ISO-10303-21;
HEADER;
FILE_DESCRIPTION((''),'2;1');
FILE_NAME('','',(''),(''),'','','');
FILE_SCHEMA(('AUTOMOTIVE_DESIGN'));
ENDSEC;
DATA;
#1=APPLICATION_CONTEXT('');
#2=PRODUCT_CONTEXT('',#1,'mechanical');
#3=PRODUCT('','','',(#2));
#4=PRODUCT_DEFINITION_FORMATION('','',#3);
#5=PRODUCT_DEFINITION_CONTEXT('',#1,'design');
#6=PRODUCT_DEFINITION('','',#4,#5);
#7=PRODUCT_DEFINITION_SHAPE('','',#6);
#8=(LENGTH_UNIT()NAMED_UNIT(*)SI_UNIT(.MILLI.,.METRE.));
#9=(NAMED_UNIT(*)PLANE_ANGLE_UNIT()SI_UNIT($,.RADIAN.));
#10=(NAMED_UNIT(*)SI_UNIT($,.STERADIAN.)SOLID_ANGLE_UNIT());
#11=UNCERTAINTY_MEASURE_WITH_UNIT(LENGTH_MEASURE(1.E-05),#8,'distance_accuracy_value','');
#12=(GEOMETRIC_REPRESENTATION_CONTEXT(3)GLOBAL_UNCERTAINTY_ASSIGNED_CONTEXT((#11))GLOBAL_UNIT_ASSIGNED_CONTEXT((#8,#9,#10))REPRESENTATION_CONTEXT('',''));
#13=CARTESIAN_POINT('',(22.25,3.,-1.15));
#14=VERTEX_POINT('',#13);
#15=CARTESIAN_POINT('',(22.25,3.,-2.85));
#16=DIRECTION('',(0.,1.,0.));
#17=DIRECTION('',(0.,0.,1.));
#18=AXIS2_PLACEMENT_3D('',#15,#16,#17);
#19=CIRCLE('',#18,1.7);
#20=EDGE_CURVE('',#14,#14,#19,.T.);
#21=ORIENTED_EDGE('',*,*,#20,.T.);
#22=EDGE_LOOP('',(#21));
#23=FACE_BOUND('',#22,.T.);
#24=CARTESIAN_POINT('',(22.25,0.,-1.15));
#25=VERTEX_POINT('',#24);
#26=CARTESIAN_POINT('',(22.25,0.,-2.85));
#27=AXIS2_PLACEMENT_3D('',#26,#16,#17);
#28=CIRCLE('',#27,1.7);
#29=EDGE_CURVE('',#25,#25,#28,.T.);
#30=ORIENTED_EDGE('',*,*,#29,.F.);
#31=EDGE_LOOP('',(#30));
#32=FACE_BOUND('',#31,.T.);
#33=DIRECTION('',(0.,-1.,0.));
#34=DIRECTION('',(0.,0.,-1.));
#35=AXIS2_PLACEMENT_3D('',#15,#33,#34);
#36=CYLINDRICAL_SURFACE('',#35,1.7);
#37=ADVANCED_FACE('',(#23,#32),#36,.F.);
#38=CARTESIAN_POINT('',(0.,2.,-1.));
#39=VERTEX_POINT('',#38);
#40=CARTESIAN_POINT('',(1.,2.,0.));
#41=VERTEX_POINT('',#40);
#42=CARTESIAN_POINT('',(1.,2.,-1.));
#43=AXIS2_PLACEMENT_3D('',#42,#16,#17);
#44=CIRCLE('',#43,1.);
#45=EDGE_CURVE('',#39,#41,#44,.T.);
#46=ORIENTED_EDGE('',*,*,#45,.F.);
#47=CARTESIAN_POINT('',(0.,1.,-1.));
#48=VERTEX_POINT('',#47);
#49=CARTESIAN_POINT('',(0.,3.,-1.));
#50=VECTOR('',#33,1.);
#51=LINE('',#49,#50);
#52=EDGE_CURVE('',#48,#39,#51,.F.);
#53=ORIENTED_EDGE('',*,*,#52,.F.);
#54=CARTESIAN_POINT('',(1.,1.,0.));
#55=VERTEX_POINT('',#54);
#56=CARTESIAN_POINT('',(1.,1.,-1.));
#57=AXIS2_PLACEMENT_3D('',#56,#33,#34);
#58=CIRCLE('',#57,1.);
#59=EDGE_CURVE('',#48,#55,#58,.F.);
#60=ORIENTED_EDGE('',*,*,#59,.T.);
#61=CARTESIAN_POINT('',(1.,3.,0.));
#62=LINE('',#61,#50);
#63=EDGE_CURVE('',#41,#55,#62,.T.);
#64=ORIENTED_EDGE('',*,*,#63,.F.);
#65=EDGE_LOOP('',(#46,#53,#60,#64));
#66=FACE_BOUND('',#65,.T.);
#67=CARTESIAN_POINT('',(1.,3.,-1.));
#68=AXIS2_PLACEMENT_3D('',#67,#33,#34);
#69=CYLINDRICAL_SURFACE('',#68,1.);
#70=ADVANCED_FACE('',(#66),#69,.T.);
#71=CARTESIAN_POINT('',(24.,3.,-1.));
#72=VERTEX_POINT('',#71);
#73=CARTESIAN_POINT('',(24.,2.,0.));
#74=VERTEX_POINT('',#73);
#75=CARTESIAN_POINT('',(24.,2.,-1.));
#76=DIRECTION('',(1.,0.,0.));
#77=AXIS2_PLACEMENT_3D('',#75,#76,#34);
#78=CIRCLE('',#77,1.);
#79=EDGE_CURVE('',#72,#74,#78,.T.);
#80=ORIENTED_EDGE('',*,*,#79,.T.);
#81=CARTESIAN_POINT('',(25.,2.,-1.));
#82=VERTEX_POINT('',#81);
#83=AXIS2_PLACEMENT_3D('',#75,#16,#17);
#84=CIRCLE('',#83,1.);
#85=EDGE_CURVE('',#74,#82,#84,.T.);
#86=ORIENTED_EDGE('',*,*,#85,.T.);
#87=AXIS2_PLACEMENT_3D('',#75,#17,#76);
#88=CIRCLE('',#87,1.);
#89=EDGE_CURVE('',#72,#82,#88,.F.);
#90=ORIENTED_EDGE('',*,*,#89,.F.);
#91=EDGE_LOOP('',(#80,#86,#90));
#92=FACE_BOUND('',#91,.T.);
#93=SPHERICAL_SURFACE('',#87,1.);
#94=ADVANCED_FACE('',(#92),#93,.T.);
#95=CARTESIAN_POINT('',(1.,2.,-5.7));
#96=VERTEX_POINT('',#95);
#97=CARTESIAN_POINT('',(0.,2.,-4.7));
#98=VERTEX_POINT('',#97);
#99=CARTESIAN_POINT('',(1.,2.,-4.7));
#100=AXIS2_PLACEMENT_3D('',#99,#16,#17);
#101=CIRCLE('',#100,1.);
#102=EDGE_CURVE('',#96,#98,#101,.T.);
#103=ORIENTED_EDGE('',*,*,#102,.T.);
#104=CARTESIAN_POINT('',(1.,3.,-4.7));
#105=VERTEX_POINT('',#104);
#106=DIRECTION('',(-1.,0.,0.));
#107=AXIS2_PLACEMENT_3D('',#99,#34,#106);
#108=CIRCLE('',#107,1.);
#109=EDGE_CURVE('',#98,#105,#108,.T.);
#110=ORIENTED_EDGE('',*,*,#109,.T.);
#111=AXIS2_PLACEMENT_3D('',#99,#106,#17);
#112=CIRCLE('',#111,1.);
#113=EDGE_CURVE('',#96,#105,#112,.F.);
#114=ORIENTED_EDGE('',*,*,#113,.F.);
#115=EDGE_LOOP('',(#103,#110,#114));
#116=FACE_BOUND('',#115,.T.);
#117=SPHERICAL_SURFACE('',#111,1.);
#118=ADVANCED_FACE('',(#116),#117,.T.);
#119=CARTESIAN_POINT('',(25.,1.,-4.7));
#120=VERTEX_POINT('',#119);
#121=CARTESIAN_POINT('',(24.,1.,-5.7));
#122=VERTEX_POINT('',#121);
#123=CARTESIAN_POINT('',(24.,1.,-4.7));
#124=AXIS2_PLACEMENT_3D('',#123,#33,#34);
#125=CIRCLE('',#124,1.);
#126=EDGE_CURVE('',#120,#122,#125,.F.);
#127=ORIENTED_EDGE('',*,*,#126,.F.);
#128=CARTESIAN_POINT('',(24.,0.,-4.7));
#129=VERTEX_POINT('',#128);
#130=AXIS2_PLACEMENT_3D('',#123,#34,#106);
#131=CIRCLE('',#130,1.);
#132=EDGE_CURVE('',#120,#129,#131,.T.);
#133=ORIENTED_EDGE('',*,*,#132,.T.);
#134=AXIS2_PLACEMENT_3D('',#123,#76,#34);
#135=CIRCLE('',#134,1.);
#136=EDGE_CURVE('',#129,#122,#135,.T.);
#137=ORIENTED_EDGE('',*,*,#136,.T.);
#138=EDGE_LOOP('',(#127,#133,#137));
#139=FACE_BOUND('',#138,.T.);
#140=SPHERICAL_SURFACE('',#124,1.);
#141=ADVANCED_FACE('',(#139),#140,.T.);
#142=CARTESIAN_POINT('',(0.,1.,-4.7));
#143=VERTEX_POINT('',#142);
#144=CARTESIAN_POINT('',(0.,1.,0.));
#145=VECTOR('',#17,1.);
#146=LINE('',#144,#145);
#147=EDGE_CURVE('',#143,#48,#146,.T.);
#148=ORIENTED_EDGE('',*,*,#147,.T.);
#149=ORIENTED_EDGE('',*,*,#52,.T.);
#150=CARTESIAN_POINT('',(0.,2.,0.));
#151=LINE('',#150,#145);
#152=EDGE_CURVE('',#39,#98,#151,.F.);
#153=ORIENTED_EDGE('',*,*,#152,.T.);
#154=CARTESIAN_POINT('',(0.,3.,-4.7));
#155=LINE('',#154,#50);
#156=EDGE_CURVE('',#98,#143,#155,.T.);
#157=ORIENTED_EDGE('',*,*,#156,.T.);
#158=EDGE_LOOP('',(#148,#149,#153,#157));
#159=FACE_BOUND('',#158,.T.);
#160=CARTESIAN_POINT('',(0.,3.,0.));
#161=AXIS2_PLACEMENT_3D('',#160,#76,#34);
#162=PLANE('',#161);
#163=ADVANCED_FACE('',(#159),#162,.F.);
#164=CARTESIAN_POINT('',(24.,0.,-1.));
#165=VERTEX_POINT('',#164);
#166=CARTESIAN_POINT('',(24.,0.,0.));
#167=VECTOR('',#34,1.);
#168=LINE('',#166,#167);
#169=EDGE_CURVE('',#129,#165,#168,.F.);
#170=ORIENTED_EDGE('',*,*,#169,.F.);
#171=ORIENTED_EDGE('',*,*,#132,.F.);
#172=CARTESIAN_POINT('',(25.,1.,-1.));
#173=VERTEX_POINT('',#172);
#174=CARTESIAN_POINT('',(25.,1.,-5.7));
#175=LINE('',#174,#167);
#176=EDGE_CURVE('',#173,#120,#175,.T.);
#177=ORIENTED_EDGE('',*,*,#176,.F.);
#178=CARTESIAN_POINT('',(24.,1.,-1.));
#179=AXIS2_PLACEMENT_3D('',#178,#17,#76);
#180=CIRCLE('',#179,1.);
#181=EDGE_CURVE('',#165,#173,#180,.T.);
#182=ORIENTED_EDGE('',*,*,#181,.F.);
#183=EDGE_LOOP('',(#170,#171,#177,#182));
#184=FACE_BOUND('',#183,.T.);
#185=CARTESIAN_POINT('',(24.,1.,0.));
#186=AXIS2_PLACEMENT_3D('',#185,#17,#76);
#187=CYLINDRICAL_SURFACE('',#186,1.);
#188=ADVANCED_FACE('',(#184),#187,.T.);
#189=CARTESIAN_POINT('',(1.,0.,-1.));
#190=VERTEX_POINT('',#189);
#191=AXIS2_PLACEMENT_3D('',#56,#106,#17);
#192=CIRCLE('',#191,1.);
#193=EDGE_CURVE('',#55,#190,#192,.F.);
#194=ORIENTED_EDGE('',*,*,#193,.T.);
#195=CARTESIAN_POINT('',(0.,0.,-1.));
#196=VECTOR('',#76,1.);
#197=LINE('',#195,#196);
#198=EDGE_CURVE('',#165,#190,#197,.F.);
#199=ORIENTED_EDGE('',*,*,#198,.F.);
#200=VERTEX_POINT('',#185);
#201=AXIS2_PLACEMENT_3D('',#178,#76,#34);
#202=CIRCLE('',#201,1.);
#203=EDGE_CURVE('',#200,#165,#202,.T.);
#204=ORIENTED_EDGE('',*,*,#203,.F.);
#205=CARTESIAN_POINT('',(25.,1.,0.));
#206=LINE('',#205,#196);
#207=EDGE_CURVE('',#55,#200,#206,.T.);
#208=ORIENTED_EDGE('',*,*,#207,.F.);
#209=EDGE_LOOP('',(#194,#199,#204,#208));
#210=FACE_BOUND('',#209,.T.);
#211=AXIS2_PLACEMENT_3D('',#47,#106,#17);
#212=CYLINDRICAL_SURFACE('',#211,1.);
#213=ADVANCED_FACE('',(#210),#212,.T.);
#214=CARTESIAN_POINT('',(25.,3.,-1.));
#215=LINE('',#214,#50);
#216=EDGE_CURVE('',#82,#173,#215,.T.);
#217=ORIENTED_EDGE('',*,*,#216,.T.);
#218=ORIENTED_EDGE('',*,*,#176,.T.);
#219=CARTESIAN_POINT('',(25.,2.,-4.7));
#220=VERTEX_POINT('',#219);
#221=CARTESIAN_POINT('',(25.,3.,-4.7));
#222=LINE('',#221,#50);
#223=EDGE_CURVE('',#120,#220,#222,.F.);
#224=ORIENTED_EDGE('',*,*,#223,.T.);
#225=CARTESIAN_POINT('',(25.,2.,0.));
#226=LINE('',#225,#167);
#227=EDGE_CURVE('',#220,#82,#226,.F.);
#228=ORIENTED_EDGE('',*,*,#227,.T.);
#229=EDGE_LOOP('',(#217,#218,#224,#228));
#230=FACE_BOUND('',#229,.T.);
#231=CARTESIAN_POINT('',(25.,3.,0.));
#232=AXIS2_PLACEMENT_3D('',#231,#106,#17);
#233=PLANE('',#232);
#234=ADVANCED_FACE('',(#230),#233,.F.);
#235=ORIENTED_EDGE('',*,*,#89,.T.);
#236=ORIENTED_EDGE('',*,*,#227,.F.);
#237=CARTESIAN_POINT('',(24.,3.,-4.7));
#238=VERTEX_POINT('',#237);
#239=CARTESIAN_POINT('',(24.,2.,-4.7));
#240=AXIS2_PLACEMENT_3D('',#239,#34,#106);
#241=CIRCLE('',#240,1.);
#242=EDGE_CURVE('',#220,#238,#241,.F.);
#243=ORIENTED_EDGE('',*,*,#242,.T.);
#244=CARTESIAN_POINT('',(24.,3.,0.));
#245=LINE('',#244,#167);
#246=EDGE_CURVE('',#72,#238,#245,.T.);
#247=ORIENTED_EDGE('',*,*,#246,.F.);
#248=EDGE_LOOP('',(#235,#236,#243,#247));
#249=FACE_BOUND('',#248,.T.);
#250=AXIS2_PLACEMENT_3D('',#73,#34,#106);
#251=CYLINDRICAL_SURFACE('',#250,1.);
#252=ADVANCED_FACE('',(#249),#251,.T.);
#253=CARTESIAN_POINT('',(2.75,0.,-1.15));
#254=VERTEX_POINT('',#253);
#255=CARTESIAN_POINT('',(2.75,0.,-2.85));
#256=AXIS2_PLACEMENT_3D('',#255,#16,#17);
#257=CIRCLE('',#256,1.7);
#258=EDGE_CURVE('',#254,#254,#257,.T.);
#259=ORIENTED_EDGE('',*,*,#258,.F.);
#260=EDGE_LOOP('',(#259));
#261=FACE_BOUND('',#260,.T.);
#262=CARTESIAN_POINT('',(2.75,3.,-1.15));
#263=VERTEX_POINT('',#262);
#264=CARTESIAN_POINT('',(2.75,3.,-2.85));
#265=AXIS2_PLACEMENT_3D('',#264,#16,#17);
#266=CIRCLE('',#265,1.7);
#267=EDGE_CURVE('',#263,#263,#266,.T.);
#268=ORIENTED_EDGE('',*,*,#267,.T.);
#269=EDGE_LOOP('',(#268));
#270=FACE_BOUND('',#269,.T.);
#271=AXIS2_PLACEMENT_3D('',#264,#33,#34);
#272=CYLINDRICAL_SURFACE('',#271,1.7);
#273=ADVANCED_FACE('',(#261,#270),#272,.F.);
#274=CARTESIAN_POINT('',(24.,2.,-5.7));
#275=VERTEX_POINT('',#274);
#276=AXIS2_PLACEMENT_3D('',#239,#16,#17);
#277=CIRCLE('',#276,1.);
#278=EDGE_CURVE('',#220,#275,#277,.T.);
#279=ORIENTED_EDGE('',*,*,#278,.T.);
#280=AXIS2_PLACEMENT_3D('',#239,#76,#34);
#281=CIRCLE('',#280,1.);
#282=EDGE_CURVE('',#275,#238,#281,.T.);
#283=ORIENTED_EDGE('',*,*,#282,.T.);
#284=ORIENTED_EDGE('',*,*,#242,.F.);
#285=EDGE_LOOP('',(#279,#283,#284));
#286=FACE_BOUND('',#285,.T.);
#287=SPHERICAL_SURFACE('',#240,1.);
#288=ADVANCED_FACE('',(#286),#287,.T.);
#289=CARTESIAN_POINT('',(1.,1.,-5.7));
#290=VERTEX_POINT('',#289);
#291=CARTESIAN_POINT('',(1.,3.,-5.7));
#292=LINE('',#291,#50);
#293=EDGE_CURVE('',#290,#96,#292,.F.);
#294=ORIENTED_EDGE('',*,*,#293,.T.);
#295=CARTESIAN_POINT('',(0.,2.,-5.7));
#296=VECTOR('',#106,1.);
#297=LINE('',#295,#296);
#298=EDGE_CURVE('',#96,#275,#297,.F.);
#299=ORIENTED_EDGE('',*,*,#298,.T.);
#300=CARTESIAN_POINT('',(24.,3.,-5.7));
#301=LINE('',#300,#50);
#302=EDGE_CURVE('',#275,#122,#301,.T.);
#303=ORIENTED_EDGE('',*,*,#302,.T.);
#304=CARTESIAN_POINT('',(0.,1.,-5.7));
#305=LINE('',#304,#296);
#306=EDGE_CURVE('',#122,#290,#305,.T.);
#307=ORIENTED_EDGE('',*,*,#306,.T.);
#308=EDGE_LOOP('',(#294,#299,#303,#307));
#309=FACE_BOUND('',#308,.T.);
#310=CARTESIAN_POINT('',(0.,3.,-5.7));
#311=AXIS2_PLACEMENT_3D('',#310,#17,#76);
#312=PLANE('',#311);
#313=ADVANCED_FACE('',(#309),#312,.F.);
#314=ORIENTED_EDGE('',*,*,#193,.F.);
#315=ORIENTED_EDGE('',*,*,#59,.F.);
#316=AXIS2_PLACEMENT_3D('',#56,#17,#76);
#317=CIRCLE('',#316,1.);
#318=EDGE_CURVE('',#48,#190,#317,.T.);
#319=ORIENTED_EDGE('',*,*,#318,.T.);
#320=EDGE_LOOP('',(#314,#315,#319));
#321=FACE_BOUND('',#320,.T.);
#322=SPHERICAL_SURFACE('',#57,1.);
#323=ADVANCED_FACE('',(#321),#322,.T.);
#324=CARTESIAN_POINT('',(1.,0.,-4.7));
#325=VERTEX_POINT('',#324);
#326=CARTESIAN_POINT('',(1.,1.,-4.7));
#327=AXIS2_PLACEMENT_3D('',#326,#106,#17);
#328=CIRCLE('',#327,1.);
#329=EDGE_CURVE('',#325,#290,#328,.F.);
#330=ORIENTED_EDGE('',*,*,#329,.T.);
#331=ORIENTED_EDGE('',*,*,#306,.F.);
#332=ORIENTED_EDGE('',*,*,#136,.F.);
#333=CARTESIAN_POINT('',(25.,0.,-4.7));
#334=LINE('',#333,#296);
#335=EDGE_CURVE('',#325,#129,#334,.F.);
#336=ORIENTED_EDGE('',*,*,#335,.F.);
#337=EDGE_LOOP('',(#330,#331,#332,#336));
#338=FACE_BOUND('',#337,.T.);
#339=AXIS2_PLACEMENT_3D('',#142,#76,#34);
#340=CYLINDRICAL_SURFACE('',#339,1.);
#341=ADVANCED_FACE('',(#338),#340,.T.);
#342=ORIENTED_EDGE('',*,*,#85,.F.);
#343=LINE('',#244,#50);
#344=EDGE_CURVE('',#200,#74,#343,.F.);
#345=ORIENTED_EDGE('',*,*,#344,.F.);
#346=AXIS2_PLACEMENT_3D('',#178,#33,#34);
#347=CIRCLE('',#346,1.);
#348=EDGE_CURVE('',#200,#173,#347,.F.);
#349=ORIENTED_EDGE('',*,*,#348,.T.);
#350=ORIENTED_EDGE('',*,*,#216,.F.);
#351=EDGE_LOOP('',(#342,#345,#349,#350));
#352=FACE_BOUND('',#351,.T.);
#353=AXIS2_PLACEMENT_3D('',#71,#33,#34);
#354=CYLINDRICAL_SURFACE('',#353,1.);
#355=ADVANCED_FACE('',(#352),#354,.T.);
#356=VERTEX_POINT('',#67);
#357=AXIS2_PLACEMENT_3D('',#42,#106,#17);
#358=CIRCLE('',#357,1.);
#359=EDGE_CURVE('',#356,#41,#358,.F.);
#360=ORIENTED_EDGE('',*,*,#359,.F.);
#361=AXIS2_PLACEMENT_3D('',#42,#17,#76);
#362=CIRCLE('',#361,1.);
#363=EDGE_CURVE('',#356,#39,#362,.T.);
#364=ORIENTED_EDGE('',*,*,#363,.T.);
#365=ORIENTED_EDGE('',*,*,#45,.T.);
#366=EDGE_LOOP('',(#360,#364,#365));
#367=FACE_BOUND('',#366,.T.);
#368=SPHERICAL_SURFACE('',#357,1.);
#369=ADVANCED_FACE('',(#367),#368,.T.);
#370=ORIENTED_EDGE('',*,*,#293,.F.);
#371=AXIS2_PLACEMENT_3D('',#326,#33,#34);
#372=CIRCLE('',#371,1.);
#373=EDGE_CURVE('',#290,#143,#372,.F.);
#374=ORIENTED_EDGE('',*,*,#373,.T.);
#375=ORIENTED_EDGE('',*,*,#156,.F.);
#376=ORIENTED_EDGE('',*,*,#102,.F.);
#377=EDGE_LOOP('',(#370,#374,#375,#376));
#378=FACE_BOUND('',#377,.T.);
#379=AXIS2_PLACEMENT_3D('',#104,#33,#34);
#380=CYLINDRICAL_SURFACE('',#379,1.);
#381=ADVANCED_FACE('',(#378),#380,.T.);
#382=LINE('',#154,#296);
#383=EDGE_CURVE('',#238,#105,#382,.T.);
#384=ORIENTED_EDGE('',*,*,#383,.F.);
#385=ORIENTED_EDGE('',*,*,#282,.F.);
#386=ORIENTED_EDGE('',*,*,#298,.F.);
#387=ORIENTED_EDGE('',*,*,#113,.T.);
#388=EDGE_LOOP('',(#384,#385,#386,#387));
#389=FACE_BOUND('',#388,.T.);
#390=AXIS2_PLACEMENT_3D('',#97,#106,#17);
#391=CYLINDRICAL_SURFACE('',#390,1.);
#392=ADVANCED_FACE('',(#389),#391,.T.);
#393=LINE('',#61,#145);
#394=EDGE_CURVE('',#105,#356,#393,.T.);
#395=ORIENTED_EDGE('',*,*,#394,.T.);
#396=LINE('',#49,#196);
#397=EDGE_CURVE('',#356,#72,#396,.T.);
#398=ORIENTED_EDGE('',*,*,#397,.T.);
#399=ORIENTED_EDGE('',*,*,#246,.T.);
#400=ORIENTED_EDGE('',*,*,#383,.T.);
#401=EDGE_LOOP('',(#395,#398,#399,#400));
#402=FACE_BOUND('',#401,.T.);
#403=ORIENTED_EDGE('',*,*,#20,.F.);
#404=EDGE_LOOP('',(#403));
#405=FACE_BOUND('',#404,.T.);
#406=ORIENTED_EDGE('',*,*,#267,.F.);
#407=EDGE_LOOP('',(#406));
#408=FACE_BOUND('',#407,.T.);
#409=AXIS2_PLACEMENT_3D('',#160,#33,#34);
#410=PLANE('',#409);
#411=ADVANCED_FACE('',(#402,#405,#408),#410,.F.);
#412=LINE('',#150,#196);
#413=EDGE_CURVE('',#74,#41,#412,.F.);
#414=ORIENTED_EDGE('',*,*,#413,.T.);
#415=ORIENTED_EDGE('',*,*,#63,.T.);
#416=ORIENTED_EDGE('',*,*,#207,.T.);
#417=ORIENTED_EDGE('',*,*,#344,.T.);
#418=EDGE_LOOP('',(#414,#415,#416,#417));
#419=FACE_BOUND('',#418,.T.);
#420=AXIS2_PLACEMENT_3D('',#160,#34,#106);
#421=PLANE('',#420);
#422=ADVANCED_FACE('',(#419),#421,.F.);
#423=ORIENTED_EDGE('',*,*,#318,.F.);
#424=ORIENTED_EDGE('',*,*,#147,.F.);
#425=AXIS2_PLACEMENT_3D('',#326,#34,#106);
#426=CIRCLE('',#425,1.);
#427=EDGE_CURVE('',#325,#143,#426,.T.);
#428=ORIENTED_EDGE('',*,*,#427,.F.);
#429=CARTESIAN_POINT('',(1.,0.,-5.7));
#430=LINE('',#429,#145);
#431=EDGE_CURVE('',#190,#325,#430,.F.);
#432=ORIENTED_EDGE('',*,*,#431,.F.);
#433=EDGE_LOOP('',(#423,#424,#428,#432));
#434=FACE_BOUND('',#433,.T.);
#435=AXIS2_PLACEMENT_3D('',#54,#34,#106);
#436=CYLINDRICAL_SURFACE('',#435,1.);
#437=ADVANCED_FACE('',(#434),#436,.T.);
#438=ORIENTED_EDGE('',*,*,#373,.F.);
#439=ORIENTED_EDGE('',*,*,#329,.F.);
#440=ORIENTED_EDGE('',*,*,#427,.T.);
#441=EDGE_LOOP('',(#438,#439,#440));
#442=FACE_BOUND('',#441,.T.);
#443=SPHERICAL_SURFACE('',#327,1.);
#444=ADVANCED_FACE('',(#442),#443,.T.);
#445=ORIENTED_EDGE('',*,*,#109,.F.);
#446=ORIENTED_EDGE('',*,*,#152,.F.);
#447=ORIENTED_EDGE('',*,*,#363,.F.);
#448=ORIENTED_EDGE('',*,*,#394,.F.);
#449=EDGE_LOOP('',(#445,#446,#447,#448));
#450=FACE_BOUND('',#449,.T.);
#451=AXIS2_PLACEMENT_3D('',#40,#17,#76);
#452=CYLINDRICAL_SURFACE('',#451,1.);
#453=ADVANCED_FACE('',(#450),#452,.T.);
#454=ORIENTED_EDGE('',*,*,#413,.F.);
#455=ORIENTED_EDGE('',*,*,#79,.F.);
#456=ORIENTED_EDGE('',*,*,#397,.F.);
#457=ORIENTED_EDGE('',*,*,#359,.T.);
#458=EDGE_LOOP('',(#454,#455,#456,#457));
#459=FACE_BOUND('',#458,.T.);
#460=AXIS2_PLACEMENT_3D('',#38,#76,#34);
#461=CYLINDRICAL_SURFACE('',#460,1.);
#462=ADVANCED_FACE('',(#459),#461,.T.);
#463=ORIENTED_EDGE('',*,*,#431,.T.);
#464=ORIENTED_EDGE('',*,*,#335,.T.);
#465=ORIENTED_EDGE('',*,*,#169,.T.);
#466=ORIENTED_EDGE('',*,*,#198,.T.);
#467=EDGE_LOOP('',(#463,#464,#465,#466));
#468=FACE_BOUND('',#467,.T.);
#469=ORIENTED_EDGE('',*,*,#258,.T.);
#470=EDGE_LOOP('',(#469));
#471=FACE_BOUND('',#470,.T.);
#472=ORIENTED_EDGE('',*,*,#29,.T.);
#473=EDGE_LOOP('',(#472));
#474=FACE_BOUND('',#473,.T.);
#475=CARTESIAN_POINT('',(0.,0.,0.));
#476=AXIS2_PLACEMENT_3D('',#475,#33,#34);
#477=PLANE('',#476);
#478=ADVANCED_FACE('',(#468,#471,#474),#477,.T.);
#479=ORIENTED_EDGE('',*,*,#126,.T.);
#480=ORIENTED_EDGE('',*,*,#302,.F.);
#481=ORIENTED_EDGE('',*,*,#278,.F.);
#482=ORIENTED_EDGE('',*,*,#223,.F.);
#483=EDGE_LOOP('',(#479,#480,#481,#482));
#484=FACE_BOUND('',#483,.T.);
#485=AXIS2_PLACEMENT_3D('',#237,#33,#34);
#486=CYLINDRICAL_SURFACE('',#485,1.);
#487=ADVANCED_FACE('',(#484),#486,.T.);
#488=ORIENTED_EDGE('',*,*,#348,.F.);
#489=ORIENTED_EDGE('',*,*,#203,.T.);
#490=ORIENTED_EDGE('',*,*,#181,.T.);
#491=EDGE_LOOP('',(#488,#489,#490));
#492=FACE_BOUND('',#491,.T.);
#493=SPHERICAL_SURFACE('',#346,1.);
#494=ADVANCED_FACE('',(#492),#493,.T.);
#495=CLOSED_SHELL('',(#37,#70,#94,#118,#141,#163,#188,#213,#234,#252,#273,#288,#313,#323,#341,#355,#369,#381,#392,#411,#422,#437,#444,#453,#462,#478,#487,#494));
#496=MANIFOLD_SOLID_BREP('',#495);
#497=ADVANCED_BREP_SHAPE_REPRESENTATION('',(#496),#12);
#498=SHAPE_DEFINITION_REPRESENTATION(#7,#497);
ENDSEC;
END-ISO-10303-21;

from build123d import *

# Parameters (mm, degrees)
SKETCH1_W           = 25
SKETCH1_H           = 5.7
SKETCH1_R           = 1.7
BOSS_EXTRUDE1_DEPTH = 3
FILLET1_R           = 1


with BuildPart() as part:
    # Sketch1 → Boss-Extrude1 (new body)
    with BuildSketch(Plane(origin=(0, 0, 0), x_dir=(1, 0, 0), z_dir=(0, 1, 0))):
        with Locations((12.5, 2.85)):
            Rectangle(SKETCH1_W, SKETCH1_H)
        with Locations(Location((2.75, 2.85, 0), (0, 0, 270))):
            Circle(SKETCH1_R, mode=Mode.SUBTRACT)
        with Locations(Location((22.25, 2.85, 0), (0, 0, 270))):
            Circle(SKETCH1_R, mode=Mode.SUBTRACT)
    extrude(amount=BOSS_EXTRUDE1_DEPTH)

    # Fillet1
    fillet1_edges = [part.edges().sort_by_distance(p)[0] for p in [
        (25, 3, -2.85),
        (12.5, 3, -5.7),
        (0, 3, -2.85),
        (12.5, 0, -5.7),
        (25, 0, -2.85),
        (12.5, 0, 0),
        (0, 0, -2.85),
        (0, 1.5, -5.7),
        (25, 1.5, -5.7),
        (25, 1.5, 0),
        (0, 1.5, 0),
        (12.5, 3, 0),
    ]]
    fillet(fillet1_edges, radius=FILLET1_R)


solid = part.part
